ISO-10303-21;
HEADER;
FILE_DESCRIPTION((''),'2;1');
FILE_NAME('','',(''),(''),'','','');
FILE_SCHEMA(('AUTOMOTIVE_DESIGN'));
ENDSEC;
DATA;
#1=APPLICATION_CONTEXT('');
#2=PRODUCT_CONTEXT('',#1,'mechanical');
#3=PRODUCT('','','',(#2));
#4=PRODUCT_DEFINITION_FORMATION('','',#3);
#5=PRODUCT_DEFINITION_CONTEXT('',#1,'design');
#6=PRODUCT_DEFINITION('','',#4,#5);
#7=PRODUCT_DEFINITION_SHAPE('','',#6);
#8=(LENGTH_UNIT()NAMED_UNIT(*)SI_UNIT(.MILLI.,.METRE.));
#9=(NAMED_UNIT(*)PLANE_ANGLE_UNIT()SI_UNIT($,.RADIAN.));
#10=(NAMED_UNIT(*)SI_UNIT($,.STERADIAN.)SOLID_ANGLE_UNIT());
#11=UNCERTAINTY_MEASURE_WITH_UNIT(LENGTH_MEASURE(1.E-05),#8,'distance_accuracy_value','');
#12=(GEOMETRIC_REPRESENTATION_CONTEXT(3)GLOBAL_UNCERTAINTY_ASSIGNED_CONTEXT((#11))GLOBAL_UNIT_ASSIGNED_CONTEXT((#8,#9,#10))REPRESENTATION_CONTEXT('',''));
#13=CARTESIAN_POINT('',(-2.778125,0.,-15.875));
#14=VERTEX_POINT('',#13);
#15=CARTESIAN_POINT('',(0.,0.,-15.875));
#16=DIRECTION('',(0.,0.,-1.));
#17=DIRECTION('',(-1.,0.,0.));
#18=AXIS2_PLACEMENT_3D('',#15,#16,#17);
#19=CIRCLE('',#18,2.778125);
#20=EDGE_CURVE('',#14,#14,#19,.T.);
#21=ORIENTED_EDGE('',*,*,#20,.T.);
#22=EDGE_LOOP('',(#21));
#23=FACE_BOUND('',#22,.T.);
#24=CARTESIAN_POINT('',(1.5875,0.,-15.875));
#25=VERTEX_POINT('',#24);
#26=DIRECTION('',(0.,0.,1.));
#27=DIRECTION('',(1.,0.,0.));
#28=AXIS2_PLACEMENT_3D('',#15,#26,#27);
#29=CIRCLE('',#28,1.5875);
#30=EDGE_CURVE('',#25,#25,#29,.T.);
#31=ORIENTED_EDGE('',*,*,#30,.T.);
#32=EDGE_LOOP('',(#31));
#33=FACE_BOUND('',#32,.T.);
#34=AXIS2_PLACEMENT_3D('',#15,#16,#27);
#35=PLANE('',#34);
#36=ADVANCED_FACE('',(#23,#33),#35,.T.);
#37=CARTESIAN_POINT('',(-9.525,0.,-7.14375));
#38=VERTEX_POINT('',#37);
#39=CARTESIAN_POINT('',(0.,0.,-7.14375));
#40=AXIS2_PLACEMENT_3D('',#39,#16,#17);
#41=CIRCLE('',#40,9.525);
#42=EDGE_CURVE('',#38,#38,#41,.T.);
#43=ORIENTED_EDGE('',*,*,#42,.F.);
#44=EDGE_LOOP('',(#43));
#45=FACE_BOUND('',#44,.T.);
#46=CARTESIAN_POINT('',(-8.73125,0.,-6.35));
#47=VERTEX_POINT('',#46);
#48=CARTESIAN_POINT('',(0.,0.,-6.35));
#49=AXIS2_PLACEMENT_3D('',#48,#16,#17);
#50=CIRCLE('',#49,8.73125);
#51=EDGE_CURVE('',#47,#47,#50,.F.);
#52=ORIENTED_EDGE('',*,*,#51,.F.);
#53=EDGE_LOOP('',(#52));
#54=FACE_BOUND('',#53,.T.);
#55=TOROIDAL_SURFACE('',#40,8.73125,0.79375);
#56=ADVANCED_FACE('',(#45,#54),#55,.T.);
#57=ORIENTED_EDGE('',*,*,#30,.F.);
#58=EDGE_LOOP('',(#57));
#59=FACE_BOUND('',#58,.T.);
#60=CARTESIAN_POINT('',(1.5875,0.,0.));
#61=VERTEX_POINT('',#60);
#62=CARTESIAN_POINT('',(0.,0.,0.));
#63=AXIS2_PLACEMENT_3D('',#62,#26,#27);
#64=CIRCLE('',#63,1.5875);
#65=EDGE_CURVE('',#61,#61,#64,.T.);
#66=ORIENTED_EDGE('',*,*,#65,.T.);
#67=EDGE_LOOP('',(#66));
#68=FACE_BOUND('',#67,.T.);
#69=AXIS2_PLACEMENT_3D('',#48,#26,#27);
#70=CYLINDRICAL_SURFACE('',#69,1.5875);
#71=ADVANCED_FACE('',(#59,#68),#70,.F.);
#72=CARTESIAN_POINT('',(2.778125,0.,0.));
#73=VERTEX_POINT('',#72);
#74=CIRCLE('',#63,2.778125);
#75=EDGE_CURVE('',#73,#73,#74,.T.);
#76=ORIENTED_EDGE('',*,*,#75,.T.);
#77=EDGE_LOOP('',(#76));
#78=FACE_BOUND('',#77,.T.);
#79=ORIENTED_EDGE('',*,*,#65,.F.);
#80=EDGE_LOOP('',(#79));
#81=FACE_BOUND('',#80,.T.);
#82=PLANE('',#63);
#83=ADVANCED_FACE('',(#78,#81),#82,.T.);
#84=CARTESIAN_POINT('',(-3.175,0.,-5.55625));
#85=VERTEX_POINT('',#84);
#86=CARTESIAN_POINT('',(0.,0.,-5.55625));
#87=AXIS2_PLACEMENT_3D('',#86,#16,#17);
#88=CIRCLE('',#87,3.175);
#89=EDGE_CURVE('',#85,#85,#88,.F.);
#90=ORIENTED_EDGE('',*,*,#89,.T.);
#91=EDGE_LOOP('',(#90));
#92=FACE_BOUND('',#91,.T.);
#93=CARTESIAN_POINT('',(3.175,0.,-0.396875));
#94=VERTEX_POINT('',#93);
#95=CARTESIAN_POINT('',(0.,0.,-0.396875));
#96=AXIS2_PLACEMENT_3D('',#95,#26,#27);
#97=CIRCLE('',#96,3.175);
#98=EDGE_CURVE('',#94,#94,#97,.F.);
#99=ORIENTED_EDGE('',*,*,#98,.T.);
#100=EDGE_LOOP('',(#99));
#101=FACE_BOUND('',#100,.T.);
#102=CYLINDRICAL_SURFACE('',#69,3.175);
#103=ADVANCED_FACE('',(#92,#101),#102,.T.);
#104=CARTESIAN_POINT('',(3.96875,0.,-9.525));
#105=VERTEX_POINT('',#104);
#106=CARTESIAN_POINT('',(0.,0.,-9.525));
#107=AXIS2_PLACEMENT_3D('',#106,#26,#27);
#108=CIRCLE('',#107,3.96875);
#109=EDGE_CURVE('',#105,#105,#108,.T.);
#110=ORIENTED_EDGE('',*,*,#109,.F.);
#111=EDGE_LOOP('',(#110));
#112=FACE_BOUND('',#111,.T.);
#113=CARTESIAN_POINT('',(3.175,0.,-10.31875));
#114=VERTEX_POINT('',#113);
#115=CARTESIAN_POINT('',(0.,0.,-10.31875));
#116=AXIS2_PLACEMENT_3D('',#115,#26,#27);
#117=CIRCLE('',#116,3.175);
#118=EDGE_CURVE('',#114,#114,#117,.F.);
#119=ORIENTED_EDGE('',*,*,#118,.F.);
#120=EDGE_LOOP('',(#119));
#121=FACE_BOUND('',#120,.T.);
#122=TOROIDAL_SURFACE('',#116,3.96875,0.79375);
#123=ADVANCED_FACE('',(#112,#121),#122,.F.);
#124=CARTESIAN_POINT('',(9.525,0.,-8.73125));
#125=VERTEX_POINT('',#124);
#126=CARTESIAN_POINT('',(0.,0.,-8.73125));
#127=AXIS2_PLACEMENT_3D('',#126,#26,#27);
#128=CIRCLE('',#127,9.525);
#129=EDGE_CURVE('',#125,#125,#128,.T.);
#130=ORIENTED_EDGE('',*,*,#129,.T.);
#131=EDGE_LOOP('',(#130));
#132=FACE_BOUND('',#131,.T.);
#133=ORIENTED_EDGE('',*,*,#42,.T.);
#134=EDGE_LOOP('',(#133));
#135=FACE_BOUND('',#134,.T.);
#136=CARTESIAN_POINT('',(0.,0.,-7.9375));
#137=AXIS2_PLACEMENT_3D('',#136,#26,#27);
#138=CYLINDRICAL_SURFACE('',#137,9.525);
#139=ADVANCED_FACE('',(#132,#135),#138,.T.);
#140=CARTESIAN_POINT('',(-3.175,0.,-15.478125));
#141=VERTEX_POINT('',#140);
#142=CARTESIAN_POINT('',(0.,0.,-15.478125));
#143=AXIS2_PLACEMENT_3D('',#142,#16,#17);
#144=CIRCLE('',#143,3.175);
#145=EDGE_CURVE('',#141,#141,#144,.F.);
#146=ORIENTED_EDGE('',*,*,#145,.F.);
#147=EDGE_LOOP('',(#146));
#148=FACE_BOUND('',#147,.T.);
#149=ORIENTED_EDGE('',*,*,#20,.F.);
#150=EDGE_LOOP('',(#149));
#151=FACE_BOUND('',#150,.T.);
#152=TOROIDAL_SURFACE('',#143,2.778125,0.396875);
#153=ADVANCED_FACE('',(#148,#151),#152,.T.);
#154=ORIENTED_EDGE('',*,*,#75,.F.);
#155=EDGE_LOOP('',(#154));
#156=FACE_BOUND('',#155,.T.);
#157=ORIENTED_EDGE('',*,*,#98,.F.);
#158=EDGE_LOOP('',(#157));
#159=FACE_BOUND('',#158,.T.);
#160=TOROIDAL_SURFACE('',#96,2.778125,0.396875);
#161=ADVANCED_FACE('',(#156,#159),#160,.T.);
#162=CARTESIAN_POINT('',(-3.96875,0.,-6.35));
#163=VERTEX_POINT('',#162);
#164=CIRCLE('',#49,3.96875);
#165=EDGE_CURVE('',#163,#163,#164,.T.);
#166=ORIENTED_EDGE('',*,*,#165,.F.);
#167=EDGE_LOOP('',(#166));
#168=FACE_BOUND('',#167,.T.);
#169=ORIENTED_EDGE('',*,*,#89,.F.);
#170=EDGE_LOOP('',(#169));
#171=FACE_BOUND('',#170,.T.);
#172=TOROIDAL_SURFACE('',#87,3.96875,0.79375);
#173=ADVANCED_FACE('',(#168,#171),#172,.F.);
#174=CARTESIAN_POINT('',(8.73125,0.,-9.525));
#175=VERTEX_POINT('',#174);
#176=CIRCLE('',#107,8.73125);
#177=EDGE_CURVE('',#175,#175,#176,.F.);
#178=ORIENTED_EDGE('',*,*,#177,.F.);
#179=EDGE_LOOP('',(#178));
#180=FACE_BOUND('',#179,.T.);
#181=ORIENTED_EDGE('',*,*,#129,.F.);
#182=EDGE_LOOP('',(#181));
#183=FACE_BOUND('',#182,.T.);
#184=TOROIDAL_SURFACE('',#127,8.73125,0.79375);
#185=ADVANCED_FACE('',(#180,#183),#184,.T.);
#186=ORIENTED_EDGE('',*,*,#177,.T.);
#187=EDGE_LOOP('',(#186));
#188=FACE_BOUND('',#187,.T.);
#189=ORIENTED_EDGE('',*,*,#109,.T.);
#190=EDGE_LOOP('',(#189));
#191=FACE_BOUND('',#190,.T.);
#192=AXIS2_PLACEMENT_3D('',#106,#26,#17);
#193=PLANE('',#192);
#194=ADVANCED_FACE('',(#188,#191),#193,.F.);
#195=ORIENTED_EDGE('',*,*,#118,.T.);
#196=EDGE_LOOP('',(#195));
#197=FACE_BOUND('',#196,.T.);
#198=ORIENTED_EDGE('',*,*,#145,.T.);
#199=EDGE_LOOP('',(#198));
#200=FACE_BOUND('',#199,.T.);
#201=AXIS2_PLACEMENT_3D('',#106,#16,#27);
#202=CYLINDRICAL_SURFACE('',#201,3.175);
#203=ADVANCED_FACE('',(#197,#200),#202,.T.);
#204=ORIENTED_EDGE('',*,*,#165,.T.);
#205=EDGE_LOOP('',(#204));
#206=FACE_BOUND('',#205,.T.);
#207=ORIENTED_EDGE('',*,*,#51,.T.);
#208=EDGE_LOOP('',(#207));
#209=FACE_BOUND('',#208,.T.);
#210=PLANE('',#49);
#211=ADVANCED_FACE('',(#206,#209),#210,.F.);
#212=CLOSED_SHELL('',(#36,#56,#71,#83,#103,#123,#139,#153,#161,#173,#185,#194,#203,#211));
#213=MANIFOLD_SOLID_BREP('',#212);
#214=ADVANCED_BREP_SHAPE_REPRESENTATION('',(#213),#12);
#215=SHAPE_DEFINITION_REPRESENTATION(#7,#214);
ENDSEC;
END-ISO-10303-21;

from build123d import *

# Parameters (mm, degrees)
SKETCH1_R           = 3.175
SKETCH1_R_2         = 1.5875
BOSS_EXTRUDE1_DEPTH = 6.35
SKETCH2_R           = 9.525
SKETCH2_R_2         = 1.5875
BOSS_EXTRUDE2_DEPTH = 1.5875
FILLET1_R           = 0.79375
FILLET2_R           = 0.79375
FILLET3_R           = 0.396875


with BuildPart() as part:
    # Sketch1 → Boss-Extrude1 (new body)
    with BuildSketch(Plane.XY):
        Circle(SKETCH1_R)
        Circle(SKETCH1_R_2, mode=Mode.SUBTRACT)
    boss_extrude1 = extrude(amount=-BOSS_EXTRUDE1_DEPTH)

    # Sketch2 → Boss-Extrude2 (add)
    with BuildSketch(Plane(origin=(0, 0, -6.35), x_dir=(-1, 0, 0), z_dir=(0, 0, -1))):
        Circle(SKETCH2_R)
        with Locations(Location((0, 0, 0), (0, 0, 180))):
            Circle(SKETCH2_R_2, mode=Mode.SUBTRACT)
    boss_extrude2 = extrude(amount=BOSS_EXTRUDE2_DEPTH)

    # Mirror1: Boss-Extrude1, Boss-Extrude2 across plane
    add(boss_extrude1.mirror(Plane(origin=(0, 0, -7.9375), x_dir=(1, 0, 0), z_dir=(0, 0, -1))))
    add(boss_extrude2.mirror(Plane(origin=(0, 0, -7.9375), x_dir=(1, 0, 0), z_dir=(0, 0, -1))))

    # Fillet1
    fillet1_edges = [part.edges().sort_by_distance(p)[0] for p in [
        (9.525, 0, -6.35),
        (9.525, 0, -9.525),
    ]]
    fillet(fillet1_edges, radius=FILLET1_R)

    # Fillet2
    fillet2_edges = [part.edges().sort_by_distance(p)[0] for p in [
        (-3.175, 0, -9.525),
        (-3.175, 0, -6.35),
    ]]
    fillet(fillet2_edges, radius=FILLET2_R)

    # Fillet3
    fillet3_edges = [part.edges().sort_by_distance(p)[0] for p in [
        (-3.175, 0, -15.875),
        (-3.175, 0, 0),
    ]]
    fillet(fillet3_edges, radius=FILLET3_R)


solid = part.part
